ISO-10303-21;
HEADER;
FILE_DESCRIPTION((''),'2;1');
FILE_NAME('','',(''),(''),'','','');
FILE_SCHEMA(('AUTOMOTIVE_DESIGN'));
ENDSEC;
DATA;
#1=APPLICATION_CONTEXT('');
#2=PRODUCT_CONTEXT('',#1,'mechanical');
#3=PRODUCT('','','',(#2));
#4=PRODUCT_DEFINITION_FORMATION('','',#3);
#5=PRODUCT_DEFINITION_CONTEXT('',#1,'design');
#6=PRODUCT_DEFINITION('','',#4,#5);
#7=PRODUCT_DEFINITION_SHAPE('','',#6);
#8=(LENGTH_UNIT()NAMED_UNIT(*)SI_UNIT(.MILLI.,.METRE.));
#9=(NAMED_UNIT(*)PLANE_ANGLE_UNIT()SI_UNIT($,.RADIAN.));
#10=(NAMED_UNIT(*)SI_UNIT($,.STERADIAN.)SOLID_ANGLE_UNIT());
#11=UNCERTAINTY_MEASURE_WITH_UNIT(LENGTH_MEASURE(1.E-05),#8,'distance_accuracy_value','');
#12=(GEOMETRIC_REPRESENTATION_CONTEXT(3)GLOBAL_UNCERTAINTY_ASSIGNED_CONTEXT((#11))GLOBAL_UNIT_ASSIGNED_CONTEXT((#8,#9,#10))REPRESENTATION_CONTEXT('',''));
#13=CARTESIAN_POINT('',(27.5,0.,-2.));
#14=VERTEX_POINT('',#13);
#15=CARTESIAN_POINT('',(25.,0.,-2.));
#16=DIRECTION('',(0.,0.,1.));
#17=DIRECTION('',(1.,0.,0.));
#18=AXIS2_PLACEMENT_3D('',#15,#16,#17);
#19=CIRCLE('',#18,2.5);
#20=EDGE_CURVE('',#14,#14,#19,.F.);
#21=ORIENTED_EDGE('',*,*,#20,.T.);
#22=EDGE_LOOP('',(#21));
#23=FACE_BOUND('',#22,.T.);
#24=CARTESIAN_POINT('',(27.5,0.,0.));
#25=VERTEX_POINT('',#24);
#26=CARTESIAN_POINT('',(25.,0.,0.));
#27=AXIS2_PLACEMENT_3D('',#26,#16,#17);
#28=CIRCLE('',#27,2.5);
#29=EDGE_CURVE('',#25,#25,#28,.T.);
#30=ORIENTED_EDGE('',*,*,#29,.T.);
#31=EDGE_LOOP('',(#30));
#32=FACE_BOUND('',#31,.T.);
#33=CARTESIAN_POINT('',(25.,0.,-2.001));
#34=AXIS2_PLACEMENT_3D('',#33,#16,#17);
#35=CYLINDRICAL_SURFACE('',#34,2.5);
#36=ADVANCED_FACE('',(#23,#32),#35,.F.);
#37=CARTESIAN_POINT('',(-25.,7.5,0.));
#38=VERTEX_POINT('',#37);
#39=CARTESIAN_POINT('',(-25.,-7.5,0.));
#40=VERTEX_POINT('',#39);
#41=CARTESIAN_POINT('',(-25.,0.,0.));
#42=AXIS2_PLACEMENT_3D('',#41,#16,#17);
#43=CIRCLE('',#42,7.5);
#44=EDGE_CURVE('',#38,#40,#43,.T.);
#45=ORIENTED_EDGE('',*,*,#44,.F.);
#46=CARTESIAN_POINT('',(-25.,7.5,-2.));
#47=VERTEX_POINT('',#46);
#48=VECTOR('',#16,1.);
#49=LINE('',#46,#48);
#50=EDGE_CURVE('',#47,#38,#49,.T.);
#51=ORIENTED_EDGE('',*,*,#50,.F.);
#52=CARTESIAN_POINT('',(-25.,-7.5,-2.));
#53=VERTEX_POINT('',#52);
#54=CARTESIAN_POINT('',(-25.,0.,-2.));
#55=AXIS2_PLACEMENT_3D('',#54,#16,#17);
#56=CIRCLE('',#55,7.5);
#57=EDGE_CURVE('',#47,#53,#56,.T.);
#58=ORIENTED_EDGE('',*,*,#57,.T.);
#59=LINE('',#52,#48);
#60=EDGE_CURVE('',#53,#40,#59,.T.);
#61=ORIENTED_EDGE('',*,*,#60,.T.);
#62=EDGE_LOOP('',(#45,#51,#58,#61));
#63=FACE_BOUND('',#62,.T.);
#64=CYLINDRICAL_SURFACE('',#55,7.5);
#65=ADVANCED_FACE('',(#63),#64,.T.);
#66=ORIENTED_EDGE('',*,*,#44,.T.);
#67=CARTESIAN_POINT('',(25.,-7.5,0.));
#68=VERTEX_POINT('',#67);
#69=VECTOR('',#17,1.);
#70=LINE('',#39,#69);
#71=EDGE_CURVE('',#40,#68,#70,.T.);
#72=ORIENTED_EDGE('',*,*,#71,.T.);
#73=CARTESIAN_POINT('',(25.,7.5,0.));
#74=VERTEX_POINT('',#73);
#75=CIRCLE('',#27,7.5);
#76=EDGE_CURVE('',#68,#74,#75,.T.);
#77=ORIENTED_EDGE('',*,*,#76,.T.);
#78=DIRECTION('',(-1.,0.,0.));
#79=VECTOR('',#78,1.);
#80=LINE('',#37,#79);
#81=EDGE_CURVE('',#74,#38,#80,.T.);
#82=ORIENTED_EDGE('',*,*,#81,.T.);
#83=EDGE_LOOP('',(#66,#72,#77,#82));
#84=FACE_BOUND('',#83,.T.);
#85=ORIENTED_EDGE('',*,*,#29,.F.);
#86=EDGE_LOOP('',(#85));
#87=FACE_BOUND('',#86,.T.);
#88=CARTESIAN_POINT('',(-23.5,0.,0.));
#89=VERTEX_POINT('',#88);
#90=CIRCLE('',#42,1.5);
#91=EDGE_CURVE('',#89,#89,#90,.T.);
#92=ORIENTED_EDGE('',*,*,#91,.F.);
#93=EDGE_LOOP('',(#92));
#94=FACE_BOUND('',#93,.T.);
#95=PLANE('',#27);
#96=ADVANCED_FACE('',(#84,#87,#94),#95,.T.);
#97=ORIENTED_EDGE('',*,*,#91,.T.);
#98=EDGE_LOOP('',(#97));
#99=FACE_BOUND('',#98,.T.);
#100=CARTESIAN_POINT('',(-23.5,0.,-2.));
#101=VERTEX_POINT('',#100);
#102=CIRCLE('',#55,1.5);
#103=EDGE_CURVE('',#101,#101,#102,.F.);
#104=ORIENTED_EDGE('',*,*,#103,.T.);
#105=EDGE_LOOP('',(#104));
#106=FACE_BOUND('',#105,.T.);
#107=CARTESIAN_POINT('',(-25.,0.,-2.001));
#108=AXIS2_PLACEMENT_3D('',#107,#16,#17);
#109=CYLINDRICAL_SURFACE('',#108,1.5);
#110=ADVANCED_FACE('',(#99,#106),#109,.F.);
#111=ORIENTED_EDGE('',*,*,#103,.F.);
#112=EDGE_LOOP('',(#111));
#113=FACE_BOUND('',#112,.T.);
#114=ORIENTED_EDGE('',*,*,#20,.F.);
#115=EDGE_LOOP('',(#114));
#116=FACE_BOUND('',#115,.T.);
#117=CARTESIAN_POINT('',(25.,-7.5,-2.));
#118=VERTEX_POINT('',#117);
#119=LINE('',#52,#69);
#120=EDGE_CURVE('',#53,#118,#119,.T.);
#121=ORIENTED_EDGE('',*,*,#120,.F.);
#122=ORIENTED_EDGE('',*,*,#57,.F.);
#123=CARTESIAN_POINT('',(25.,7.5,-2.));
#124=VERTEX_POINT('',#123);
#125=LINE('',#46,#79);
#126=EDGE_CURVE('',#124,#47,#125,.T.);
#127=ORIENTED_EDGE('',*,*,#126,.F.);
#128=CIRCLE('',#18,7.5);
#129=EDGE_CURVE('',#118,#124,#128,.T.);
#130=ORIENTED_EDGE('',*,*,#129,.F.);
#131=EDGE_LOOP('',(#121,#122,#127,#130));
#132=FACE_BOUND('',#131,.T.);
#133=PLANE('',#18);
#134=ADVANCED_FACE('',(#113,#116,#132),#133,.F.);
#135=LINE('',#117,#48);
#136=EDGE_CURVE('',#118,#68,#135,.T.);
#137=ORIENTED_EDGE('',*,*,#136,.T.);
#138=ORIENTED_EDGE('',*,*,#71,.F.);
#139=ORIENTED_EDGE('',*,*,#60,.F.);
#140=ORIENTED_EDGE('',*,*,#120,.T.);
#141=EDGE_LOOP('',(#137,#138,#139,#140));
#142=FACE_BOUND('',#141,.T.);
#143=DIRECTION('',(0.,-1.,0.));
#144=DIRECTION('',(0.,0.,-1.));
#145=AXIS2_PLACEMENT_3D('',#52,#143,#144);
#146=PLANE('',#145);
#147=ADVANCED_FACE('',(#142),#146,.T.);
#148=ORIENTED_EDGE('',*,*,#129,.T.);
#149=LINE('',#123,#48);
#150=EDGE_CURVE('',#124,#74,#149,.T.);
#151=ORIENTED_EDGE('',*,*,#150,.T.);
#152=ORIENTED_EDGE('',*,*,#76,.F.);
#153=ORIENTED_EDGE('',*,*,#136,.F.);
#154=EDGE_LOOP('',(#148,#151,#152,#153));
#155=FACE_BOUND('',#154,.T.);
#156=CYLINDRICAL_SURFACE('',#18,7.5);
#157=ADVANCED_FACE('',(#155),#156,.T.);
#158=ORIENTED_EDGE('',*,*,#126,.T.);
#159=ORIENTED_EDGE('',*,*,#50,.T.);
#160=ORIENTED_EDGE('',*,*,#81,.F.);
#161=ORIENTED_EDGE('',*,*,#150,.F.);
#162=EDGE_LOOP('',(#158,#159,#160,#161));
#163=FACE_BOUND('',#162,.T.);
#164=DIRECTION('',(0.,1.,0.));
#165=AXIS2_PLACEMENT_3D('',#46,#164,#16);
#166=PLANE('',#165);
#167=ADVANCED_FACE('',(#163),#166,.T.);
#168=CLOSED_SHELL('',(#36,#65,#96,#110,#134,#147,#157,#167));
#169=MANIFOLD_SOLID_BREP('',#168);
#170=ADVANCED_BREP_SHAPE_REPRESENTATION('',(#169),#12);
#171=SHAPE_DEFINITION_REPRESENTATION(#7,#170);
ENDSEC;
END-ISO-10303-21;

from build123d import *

# Parameters (mm, degrees)
BOSS_EXTRUDE1_DEPTH = 2
CUT_EXTRUDE1_REACH  = 4
SKETCH2_R           = 1.5
SKETCH2_R_2         = 2.5


with BuildPart() as part:
    # Sketch1 → Boss-Extrude1 (new body)
    with BuildSketch(Plane.XY):
        with BuildLine():
            Line((-25, -7.5), (25, -7.5))
            ThreePointArc((25, -7.5), (32.5, 0), (25, 7.5))
            Line((25, 7.5), (-25, 7.5))
            ThreePointArc((-25, 7.5), (-32.5, 0), (-25, -7.5))
        make_face()
    extrude(amount=-BOSS_EXTRUDE1_DEPTH)

    # Sketch2 → Cut-Extrude1 (cut, up to next)
    with BuildSketch(Plane.XY, mode=Mode.PRIVATE) as cut_extrude1_sk1:
        with Locations((-25, 0)):
            Circle(SKETCH2_R)
    cut_extrude1_tool1 = extrude(cut_extrude1_sk1.sketch, amount=-CUT_EXTRUDE1_REACH, mode=Mode.PRIVATE) & part.part
    add(cut_extrude1_tool1.solids().sort_by_distance((-25, 0, 0))[0], mode=Mode.SUBTRACT)
    # Sketch2 → Cut-Extrude1 (cut, up to next)
    with BuildSketch(Plane.XY, mode=Mode.PRIVATE) as cut_extrude1_sk2:
        with Locations((25, 0)):
            Circle(SKETCH2_R_2)
    cut_extrude1_tool2 = extrude(cut_extrude1_sk2.sketch, amount=-CUT_EXTRUDE1_REACH, mode=Mode.PRIVATE) & part.part
    add(cut_extrude1_tool2.solids().sort_by_distance((25, 0, 0))[0], mode=Mode.SUBTRACT)


solid = part.part
